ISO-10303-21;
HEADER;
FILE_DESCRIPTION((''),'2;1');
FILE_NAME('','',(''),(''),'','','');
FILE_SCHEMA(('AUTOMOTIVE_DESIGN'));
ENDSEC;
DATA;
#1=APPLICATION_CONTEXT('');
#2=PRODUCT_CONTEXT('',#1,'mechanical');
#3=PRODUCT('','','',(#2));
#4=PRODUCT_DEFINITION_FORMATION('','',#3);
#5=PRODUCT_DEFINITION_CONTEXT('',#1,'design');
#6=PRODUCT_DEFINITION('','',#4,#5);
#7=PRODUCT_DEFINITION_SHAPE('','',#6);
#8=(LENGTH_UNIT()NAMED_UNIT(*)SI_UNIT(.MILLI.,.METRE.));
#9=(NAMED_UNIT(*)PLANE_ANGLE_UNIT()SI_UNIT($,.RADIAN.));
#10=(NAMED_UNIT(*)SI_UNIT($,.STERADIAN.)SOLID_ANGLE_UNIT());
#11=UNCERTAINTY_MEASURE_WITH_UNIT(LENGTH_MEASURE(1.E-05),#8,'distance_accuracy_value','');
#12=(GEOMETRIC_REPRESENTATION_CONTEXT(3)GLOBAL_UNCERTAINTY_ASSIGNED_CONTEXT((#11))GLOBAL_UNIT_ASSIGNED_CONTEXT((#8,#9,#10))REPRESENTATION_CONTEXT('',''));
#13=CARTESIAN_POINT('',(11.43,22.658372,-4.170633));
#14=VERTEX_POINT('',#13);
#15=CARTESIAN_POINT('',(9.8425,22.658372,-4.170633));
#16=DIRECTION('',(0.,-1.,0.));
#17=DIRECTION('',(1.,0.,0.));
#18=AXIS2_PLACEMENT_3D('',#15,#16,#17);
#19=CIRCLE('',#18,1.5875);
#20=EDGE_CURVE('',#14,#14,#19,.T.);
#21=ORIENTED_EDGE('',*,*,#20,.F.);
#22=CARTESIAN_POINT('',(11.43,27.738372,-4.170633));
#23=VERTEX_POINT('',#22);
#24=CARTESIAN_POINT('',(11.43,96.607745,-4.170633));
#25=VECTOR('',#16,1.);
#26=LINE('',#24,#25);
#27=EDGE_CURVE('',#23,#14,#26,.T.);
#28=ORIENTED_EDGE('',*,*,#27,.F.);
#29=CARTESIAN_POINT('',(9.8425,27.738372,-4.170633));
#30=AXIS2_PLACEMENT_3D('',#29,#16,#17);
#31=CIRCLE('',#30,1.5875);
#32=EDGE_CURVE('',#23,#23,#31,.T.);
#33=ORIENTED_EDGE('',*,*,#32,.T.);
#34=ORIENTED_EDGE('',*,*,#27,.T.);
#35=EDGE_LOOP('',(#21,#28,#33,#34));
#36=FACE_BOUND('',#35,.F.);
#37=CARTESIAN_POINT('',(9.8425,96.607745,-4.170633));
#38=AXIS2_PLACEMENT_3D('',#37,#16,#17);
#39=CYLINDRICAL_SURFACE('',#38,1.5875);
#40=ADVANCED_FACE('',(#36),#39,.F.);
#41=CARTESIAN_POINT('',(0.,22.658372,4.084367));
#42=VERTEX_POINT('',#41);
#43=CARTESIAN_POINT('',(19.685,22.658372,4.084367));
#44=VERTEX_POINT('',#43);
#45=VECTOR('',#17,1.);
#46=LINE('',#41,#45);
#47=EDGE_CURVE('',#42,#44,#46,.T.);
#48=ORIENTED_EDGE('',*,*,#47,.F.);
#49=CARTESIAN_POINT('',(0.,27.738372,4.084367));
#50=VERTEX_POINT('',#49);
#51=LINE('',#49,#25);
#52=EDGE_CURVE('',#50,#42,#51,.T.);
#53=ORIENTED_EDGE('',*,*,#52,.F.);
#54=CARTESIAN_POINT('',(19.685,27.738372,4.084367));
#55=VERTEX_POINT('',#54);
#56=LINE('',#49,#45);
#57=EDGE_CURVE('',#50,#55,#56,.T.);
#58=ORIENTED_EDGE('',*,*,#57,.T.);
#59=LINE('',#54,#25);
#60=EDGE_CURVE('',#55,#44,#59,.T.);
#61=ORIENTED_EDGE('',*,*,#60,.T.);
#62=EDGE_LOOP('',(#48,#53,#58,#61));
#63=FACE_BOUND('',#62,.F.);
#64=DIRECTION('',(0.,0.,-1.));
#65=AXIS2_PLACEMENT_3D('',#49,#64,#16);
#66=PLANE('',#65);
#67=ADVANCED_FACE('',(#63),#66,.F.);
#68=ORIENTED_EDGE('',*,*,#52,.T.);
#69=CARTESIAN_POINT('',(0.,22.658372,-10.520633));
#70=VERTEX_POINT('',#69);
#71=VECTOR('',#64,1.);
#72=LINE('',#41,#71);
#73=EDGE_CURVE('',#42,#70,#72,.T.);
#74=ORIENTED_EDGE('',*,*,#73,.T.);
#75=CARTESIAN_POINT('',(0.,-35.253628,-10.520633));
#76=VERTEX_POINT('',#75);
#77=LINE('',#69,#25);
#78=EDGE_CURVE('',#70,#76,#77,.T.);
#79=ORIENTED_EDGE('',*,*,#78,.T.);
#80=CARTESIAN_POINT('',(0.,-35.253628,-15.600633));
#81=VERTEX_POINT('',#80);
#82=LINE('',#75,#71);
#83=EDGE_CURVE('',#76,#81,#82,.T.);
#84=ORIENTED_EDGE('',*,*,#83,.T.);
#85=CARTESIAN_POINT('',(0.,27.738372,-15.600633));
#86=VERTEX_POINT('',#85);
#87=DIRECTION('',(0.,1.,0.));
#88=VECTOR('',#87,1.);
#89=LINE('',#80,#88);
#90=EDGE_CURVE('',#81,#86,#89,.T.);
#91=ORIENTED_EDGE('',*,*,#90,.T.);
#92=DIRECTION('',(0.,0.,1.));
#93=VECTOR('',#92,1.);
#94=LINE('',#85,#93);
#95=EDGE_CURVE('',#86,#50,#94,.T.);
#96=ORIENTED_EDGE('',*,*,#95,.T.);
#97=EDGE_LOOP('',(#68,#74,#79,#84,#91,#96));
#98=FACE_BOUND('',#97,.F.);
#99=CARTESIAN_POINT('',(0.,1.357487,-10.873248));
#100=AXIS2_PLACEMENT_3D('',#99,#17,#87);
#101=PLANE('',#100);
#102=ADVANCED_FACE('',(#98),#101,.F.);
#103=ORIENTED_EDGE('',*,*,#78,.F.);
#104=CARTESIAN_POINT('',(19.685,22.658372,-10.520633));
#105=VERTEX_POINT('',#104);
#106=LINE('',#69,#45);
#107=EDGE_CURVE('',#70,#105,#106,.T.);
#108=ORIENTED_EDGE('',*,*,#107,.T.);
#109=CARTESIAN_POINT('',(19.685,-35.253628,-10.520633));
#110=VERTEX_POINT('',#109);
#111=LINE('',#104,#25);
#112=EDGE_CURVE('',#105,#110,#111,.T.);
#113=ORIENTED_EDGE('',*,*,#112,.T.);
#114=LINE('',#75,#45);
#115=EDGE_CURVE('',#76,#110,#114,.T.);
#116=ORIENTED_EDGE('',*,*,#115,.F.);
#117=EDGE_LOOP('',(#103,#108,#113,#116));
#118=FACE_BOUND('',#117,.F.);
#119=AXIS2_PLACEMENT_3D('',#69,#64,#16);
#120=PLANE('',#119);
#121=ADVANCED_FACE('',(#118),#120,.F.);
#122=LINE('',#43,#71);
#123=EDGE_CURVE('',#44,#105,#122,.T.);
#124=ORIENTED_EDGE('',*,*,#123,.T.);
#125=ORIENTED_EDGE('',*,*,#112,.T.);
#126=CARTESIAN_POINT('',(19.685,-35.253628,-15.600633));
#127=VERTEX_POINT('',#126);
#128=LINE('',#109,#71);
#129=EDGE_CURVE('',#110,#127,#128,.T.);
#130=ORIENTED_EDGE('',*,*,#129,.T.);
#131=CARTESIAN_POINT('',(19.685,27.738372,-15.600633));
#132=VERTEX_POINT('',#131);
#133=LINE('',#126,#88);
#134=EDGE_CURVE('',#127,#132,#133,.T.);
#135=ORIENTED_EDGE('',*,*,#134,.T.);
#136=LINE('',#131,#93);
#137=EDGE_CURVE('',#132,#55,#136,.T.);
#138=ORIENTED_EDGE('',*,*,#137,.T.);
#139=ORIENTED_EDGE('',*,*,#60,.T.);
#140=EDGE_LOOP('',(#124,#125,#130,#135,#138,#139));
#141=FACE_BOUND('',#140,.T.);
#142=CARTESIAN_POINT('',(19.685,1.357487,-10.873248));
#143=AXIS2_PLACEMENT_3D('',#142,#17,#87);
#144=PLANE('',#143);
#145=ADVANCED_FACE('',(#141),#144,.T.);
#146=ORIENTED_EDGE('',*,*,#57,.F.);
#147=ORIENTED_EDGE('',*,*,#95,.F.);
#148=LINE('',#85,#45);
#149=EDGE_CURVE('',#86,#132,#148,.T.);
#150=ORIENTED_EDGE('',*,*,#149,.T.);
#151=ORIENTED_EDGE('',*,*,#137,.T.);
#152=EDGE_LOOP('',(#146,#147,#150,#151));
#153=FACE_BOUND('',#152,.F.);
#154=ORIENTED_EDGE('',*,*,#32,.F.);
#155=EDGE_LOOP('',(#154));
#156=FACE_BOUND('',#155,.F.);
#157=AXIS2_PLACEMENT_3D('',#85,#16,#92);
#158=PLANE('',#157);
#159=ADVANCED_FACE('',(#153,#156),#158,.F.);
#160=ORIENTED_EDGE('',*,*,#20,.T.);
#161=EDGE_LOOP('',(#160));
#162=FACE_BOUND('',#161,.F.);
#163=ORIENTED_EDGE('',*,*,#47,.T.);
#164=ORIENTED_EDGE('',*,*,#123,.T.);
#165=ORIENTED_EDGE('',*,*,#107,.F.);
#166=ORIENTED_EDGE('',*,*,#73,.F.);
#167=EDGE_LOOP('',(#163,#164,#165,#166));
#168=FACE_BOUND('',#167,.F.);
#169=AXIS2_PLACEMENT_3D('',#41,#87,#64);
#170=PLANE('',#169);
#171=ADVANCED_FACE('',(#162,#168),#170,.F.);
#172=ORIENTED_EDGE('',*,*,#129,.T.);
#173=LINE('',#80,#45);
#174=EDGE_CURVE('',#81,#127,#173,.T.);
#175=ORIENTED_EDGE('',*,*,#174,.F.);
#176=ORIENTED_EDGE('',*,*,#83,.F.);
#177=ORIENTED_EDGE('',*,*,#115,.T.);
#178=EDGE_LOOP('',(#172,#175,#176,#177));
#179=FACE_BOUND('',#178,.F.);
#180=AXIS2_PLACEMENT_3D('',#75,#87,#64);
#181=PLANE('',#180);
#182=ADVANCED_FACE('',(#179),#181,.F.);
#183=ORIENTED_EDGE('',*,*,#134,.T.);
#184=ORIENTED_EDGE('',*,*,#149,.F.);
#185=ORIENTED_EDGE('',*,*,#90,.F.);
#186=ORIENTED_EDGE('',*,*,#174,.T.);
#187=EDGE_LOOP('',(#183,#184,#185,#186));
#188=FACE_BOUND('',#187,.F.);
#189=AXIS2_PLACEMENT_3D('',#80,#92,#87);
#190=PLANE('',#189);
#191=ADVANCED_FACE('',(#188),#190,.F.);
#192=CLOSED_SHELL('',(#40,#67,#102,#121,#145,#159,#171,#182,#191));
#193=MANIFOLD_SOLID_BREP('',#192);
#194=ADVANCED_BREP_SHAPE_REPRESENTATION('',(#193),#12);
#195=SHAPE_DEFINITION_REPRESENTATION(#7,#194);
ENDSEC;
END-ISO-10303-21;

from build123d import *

# Parameters (mm, degrees)
F1_DEPTH = 19.685
F3_D     = 3.175


with BuildPart() as f1:
    # F0 (on Right) → F1 (new body)
    with BuildSketch(Plane.YZ):
        Polygon((-35.253628, -10.520633), (-35.253628, -15.600633), (27.738372, -15.600633), (27.738372, 4.084367), (22.658372, 4.084367), (22.658372, -10.520633), align=None)
    extrude(amount=F1_DEPTH)

    # F3 (through all)
    with Locations(Plane(origin=(0, 27.738372, 0), x_dir=(-1, 0, 0), z_dir=(0, 1, 0))):
        with Locations((-9.8425, -4.170633)):
            Hole(F3_D / 2)


solid = f1.part
